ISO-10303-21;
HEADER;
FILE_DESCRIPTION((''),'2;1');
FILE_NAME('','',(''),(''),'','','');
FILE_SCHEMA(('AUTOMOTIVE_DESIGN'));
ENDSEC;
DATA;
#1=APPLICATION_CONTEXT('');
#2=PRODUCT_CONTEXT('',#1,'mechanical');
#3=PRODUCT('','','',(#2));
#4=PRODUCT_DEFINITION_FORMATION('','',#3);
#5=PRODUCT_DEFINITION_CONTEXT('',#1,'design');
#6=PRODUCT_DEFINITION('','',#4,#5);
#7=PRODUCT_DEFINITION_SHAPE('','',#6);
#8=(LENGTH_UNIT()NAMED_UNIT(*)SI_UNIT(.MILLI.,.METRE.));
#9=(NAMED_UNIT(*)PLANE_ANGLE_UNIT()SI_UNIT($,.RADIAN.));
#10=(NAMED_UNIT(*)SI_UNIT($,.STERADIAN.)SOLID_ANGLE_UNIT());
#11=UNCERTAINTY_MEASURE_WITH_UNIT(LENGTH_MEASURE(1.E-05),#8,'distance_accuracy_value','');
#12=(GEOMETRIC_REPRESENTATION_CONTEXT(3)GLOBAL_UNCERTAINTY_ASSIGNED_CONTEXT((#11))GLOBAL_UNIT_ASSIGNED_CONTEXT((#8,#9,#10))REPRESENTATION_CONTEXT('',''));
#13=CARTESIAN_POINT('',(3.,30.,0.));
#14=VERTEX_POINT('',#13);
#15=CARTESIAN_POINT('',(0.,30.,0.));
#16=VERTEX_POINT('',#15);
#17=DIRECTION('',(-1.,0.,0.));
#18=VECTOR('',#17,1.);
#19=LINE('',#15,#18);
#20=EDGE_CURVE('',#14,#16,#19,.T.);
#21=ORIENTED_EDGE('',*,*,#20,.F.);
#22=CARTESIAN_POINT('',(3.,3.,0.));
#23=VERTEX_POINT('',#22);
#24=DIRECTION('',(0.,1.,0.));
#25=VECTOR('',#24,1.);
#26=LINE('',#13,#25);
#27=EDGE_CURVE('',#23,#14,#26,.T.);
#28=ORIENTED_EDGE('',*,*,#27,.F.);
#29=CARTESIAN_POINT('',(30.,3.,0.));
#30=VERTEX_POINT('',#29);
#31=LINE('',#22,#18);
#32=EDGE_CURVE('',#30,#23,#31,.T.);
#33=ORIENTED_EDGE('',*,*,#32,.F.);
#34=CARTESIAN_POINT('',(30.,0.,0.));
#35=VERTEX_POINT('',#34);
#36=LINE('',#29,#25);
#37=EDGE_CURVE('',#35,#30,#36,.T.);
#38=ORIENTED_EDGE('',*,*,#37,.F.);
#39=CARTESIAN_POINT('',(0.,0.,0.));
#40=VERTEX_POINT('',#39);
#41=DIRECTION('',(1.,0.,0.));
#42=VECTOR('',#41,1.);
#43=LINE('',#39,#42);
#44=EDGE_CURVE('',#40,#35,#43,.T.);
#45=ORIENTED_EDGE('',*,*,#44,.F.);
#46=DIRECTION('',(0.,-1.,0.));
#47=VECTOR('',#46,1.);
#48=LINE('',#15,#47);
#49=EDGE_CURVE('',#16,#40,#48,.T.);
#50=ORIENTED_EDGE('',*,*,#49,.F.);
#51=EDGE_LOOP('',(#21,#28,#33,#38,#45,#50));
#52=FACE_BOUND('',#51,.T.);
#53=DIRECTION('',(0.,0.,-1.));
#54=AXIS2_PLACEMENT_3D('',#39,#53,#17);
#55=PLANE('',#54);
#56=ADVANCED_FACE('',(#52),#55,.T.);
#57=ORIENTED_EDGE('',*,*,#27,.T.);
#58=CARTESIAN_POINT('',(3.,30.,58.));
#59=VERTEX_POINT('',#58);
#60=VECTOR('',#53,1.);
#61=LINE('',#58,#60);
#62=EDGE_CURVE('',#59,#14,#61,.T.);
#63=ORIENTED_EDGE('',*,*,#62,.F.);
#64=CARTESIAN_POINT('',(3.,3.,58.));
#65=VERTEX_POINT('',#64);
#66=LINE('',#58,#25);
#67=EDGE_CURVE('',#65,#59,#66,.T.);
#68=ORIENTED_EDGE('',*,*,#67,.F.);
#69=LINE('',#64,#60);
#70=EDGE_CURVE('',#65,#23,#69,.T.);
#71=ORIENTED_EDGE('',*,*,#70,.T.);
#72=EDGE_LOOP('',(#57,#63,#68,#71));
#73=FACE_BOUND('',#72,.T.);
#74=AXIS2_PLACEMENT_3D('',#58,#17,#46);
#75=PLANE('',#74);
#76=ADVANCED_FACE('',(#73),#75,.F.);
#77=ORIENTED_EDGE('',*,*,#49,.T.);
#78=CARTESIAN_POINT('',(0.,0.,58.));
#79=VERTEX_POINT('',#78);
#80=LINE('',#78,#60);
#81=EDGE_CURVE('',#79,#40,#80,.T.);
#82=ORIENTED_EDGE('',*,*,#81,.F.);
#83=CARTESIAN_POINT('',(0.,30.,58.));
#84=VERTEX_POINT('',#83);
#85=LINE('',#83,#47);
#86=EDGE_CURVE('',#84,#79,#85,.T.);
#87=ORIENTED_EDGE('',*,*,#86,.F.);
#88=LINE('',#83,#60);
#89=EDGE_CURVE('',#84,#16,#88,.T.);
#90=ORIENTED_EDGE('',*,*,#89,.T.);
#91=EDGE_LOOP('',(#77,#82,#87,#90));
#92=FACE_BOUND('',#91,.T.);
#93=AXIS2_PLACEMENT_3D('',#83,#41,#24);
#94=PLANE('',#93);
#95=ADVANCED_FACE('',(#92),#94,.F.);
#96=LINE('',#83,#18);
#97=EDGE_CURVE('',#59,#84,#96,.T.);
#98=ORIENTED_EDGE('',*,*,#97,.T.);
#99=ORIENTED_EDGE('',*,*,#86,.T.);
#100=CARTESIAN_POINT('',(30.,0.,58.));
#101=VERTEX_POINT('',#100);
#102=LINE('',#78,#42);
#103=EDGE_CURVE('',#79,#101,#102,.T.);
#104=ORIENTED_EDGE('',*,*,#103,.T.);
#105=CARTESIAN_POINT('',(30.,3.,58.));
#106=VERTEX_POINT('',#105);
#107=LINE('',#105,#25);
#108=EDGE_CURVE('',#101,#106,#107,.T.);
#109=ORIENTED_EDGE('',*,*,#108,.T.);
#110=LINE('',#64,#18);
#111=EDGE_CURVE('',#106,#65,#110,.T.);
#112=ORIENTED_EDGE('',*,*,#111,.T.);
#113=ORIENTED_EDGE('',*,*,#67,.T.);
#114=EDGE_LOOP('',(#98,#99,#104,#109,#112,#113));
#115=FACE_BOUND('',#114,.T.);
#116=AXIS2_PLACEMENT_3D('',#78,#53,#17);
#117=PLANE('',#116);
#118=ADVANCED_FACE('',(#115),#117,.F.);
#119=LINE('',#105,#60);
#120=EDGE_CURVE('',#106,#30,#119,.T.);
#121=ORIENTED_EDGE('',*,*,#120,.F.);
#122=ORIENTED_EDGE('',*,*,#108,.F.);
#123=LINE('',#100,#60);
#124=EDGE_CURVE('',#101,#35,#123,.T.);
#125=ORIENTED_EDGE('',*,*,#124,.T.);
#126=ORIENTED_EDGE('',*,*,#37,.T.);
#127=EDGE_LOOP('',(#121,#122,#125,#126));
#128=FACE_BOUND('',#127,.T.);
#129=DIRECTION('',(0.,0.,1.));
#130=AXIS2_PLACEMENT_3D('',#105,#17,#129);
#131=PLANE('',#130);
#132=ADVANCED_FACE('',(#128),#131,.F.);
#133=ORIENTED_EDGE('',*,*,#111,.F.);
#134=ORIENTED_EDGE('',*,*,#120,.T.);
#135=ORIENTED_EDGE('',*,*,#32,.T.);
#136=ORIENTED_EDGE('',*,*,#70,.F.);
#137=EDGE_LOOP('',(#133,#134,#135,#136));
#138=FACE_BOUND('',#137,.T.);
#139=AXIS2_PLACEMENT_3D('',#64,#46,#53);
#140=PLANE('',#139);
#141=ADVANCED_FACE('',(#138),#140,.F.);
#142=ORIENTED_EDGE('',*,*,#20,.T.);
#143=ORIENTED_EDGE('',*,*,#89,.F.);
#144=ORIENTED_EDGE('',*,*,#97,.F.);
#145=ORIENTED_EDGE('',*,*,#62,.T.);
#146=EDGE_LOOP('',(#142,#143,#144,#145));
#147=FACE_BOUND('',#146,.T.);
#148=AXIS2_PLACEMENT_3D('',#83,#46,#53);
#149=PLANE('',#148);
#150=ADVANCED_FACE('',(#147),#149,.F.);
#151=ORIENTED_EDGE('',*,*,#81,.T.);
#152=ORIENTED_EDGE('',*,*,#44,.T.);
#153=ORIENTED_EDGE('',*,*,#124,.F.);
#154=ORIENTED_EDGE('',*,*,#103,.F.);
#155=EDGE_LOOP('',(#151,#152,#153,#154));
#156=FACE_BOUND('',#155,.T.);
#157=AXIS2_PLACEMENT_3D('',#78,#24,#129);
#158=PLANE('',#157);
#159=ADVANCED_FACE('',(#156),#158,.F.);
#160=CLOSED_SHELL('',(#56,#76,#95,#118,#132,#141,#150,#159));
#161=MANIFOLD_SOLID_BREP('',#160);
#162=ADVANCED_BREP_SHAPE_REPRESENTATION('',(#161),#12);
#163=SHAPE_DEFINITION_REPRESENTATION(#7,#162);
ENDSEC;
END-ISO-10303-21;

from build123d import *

# Parameters (mm, degrees)
EXTRUDE_1_DEPTH = 58


with BuildPart() as part:
    # Эскиз1 → Бобышка-Вытянуть1 (new body)
    with BuildSketch(Plane.XY):
        Polygon((0, 30), (0, 0), (30, 0), (30, 3), (3, 3), (3, 30), align=None)
    extrude(amount=EXTRUDE_1_DEPTH)


solid = part.part
